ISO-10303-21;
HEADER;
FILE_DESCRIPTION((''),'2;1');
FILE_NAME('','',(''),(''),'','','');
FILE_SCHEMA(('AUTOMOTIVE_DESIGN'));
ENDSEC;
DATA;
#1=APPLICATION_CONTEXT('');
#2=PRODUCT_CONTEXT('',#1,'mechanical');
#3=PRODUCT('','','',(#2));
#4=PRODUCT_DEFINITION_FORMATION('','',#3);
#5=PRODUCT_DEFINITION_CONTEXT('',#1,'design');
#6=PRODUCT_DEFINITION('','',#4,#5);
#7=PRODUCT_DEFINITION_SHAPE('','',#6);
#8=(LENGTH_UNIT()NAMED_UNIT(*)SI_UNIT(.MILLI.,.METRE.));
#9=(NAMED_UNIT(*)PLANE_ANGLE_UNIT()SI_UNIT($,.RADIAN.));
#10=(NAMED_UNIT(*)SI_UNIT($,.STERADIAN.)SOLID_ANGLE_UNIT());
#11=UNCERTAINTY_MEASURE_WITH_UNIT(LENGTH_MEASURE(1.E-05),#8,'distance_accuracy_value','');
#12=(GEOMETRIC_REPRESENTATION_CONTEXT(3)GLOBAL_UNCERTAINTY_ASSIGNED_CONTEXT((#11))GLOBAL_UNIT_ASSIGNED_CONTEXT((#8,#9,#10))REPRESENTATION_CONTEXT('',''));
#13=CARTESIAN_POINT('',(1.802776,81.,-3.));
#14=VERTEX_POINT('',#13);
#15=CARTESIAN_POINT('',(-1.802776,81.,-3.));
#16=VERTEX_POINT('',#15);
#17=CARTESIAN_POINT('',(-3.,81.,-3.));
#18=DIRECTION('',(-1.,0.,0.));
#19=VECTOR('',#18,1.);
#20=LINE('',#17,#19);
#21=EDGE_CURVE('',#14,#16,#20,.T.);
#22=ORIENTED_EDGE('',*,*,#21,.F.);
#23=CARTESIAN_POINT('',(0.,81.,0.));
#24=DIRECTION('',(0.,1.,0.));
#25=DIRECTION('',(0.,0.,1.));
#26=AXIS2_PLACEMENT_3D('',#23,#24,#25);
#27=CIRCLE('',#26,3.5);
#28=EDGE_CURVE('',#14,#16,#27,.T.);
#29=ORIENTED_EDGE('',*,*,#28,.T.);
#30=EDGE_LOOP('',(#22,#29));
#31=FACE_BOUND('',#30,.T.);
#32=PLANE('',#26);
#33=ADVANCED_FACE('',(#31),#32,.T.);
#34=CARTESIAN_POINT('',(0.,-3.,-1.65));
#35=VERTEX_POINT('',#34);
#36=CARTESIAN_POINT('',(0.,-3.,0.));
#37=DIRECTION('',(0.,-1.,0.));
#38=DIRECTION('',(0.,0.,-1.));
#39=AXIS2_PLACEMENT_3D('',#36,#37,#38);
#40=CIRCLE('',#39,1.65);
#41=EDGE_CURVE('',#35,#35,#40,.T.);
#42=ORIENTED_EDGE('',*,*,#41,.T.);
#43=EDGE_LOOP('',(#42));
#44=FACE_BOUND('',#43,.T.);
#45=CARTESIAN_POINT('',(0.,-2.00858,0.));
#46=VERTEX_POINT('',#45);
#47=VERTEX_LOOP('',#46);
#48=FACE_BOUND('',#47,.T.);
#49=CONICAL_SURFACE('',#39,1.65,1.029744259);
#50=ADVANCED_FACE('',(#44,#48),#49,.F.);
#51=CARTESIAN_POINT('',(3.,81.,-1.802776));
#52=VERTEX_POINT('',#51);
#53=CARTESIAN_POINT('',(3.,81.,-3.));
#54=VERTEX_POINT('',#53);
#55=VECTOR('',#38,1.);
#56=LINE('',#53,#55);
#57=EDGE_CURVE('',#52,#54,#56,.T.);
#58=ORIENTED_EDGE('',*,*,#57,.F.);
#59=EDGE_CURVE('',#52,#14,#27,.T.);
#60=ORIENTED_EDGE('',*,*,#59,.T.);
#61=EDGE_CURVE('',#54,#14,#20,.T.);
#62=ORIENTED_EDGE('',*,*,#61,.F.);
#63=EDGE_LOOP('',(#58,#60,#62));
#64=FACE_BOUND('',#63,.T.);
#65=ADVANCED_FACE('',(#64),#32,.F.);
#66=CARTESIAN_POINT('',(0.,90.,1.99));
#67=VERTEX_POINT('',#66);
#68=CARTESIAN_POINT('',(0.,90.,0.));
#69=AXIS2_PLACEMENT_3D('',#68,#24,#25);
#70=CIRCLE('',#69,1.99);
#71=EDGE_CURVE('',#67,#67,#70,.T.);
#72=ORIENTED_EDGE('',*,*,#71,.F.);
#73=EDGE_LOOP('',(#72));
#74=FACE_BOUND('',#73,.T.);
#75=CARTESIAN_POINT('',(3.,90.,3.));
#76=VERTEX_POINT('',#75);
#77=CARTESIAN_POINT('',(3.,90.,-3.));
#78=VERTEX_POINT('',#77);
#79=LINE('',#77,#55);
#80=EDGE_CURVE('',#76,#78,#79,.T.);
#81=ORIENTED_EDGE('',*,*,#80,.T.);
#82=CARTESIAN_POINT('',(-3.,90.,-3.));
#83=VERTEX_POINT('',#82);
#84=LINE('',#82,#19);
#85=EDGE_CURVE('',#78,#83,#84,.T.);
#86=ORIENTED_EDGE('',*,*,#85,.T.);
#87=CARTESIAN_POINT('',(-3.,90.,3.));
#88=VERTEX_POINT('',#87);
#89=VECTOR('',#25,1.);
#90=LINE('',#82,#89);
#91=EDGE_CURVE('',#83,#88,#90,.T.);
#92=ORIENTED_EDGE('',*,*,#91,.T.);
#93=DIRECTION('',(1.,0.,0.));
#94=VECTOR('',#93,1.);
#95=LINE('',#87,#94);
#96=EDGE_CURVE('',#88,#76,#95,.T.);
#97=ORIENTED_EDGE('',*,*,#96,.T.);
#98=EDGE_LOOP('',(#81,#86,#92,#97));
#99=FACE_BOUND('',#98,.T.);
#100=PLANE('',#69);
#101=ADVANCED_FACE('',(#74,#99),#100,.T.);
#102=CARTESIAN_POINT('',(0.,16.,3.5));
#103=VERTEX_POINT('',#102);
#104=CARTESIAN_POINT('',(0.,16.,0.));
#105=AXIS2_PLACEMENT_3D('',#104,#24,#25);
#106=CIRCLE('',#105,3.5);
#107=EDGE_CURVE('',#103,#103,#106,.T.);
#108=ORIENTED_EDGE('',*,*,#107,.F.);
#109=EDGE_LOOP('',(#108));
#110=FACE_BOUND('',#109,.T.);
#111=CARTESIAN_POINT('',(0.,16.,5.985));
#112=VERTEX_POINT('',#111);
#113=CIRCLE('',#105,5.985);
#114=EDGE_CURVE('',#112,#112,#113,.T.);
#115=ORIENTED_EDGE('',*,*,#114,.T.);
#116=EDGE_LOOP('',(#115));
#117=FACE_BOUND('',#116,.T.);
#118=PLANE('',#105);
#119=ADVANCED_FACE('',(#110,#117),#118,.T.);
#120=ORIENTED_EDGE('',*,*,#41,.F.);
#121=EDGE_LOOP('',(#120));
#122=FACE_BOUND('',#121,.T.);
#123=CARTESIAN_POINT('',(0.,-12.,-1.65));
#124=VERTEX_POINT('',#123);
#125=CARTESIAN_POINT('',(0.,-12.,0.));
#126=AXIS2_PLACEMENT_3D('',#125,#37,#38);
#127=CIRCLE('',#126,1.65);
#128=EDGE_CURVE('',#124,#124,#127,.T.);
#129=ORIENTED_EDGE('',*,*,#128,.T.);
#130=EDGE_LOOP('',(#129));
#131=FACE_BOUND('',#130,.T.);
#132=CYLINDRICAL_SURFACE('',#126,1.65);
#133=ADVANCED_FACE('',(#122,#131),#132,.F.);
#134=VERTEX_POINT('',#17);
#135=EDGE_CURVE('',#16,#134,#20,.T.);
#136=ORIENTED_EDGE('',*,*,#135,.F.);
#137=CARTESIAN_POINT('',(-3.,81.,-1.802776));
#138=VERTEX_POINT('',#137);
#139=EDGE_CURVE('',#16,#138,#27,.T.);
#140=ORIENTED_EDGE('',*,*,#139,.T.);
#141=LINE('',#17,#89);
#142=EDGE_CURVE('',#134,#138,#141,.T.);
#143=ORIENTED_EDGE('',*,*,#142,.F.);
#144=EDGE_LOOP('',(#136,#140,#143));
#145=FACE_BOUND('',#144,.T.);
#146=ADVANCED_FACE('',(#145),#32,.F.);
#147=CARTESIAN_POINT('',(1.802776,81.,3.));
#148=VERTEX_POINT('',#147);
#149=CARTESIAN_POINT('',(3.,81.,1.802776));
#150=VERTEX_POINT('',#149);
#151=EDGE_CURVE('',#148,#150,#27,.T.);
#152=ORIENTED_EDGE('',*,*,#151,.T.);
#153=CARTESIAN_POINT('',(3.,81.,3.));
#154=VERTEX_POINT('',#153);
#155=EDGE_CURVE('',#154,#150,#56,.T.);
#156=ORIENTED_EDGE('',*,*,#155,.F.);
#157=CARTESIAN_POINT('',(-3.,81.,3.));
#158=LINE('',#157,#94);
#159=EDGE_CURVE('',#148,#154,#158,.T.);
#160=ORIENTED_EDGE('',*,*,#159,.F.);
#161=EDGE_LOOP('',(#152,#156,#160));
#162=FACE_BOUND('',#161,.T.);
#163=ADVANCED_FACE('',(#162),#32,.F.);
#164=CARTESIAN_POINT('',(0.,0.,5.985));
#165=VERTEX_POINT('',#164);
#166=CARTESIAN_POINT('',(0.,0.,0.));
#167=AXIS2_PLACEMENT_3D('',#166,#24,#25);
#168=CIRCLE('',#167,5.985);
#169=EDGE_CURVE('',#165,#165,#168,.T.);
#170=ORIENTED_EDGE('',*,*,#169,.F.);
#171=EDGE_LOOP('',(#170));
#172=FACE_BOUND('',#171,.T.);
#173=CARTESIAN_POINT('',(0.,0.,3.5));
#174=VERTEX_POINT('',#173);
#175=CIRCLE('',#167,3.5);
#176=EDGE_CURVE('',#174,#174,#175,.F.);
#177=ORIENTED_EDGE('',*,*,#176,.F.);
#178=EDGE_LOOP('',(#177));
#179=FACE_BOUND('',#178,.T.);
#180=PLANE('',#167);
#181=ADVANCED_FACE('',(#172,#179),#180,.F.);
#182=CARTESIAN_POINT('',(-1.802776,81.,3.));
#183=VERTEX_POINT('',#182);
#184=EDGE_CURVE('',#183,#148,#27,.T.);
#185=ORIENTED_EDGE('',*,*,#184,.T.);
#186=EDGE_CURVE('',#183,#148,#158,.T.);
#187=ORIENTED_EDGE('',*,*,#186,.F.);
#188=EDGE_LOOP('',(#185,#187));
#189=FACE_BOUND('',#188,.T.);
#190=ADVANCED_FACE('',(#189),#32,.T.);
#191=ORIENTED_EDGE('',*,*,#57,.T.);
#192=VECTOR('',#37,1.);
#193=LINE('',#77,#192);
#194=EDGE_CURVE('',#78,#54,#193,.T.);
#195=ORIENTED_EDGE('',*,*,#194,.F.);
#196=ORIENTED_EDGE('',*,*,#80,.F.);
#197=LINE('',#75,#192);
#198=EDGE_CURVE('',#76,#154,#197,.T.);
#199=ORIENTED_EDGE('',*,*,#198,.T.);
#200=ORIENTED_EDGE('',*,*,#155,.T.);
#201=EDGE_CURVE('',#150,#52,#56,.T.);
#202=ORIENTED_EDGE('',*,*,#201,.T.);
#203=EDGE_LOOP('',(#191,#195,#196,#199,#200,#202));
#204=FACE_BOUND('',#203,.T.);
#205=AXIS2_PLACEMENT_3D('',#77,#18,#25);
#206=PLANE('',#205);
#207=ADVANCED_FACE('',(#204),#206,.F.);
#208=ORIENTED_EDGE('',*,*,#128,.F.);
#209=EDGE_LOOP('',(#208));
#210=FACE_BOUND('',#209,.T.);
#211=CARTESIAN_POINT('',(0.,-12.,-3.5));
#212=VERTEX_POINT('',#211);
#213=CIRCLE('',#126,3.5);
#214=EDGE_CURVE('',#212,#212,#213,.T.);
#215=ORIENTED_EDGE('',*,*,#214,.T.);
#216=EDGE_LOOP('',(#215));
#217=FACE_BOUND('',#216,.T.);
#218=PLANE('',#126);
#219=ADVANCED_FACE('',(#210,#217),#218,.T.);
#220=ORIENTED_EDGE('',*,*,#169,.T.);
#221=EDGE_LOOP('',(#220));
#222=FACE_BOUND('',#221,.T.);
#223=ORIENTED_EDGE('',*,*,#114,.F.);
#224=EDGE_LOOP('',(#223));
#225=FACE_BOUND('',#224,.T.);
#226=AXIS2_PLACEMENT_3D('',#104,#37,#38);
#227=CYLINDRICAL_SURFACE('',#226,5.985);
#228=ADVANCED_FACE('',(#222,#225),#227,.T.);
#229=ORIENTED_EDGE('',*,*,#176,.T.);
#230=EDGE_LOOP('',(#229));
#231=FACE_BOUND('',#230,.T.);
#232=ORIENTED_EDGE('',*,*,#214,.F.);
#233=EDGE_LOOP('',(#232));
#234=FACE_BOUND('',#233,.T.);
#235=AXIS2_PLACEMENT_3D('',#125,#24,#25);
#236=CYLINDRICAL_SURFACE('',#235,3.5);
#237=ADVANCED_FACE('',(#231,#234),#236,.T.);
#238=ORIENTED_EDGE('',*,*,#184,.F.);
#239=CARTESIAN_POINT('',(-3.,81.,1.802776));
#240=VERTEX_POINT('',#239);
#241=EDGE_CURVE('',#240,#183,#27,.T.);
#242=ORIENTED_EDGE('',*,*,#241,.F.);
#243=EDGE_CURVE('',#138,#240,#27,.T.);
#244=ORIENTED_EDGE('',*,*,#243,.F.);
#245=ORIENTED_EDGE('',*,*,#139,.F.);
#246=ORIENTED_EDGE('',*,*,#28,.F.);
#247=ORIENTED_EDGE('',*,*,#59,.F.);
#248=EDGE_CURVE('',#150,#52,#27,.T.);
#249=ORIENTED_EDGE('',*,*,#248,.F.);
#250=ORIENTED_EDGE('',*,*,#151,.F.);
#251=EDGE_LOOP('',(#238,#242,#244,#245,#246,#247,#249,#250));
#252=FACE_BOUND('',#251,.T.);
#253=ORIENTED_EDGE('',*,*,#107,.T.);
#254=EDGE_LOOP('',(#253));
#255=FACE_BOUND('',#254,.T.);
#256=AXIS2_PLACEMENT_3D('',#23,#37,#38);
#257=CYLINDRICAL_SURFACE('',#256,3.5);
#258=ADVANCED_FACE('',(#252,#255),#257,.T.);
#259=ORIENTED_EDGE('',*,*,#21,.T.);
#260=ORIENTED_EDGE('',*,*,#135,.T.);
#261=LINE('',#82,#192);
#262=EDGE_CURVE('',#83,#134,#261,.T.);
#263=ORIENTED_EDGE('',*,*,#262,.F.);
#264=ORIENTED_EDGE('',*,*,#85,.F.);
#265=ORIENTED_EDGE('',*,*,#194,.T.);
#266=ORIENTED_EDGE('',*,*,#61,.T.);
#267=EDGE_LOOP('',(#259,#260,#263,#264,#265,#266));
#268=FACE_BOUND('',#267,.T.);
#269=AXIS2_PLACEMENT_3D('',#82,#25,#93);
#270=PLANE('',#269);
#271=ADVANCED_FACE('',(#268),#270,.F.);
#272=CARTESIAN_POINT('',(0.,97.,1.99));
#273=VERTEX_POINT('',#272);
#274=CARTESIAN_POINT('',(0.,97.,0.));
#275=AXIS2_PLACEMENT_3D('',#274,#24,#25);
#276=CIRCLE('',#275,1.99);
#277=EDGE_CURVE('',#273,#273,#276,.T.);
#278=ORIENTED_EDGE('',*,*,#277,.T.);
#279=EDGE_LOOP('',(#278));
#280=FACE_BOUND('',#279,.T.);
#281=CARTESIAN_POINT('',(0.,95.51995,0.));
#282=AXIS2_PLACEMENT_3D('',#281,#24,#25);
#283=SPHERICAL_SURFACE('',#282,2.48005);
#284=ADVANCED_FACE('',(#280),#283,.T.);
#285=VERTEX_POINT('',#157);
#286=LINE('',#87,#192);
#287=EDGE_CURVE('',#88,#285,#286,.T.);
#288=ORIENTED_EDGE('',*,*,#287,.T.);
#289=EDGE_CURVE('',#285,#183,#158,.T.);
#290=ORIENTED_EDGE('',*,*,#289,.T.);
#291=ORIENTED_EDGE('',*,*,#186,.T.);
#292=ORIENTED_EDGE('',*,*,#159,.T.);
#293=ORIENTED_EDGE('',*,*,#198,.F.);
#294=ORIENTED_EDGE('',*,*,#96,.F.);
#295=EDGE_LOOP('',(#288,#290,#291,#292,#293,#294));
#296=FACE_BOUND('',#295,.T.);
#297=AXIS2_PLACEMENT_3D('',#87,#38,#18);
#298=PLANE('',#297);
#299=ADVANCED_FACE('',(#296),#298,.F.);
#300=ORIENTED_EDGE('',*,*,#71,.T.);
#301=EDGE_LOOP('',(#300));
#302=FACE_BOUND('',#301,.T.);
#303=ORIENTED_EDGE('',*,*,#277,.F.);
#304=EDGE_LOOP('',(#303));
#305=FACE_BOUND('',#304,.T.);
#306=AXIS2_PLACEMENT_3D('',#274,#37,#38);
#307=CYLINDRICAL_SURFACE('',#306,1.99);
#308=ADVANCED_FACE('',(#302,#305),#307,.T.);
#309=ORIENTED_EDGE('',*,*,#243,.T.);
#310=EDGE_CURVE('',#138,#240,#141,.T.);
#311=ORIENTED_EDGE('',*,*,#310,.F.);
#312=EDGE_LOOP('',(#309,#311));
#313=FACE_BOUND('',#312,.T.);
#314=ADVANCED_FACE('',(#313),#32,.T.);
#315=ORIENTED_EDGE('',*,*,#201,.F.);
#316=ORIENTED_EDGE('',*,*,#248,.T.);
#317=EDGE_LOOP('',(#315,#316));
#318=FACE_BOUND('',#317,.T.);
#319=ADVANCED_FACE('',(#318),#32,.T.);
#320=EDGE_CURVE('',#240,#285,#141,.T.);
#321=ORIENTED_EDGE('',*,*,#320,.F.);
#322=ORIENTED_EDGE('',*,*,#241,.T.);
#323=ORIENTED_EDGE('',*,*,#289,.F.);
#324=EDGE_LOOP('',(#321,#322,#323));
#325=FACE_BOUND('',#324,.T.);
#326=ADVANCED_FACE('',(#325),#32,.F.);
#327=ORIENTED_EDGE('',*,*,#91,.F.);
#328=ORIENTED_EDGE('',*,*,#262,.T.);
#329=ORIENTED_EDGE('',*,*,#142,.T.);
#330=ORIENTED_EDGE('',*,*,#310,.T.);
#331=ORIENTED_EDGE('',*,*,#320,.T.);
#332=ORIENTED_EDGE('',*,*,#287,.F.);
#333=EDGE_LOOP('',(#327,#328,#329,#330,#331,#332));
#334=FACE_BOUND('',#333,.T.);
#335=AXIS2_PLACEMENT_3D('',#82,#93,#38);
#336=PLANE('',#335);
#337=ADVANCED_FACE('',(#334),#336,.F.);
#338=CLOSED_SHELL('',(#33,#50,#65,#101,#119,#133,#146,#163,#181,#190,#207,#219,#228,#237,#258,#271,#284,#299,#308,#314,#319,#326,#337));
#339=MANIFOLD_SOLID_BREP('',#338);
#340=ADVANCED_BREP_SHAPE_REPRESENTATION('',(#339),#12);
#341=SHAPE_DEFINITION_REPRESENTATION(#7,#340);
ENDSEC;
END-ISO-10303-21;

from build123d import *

# Parameters (mm, degrees)
SKETCH1_R                   = 5.985
BOSS_EXTRUDE1_DEPTH         = 16
SKETCH2_R                   = 3.5
BOSS_EXTRUDE2_DEPTH         = 65
SKETCH3_W                   = 6
SKETCH3_H                   = 6
BOSS_EXTRUDE3_DEPTH         = 9
SKETCH4_R                   = 1.99
BOSS_EXTRUDE4_DEPTH         = 7
BOSS_EXTRUDE5_START         = 12
SKETCH5_R                   = 3.5
BOSS_EXTRUDE5_DEPTH         = 12
TAP_DRILL_FOR_M4_TAP1_D     = 3.3
TAP_DRILL_FOR_M4_TAP1_DEPTH = 9
TAP_DRILL_FOR_M4_TAP1_TIP   = 0.991420021
DOME1_FACE_RADIUS           = 1.99
DOME1_HEIGHT                = 1


with BuildPart() as part:
    # Sketch1 → Boss-Extrude1 (new body)
    with BuildSketch(Plane(origin=(0, 0, 0), x_dir=(1, 0, 0), z_dir=(0, 1, 0))):
        with Locations(Location((0, 0, 0), (0, 0, 270))):
            Circle(SKETCH1_R)
    extrude(amount=BOSS_EXTRUDE1_DEPTH)

    # Sketch2 → Boss-Extrude2 (add)
    with BuildSketch(Plane(origin=(0, 16, 0), x_dir=(1, 0, 0), z_dir=(0, 1, 0))):
        with Locations(Location((0, 0, 0), (0, 0, 270))):
            Circle(SKETCH2_R)
    extrude(amount=BOSS_EXTRUDE2_DEPTH)

    # Sketch3 → Boss-Extrude3 (add)
    with BuildSketch(Plane(origin=(0, 81, 0), x_dir=(1, 0, 0), z_dir=(0, 1, 0))):
        Rectangle(SKETCH3_W, SKETCH3_H)
    extrude(amount=BOSS_EXTRUDE3_DEPTH)

    # Sketch4 → Boss-Extrude4 (add)
    with BuildSketch(Plane(origin=(0, 90, 0), x_dir=(1, 0, 0), z_dir=(0, 1, 0))):
        with Locations(Location((0, 0, 0), (0, 0, 270))):
            Circle(SKETCH4_R)
    extrude(amount=BOSS_EXTRUDE4_DEPTH)

    # Sketch5 → Boss-Extrude5 (add)
    with BuildSketch(Plane.XZ.offset(BOSS_EXTRUDE5_START)):
        with Locations(Location((0, 0, 0), (0, 0, 238.997280866))):
            Circle(SKETCH5_R)
    extrude(amount=-BOSS_EXTRUDE5_DEPTH)

    # Tap Drill for M4 Tap1
    with Locations(Plane(origin=(0, -12, 0), x_dir=(-1, 0, 0), z_dir=(0, -1, 0))):
        with Locations((0, 0)):
            Hole(TAP_DRILL_FOR_M4_TAP1_D / 2, depth=TAP_DRILL_FOR_M4_TAP1_DEPTH)
            with Locations((0, 0, -(TAP_DRILL_FOR_M4_TAP1_DEPTH + TAP_DRILL_FOR_M4_TAP1_TIP / 2))):  # 118° drill point
                Cone(0, TAP_DRILL_FOR_M4_TAP1_D / 2, TAP_DRILL_FOR_M4_TAP1_TIP, mode=Mode.SUBTRACT)

    # Dome1: a dome of height H over a round flat face of radius A is a cap of a sphere of radius (A * A + H * H) / (2 * H)
    dome1_r = (DOME1_FACE_RADIUS * DOME1_FACE_RADIUS + DOME1_HEIGHT * DOME1_HEIGHT) / (2 * DOME1_HEIGHT)
    dome1_base = Plane((0, 97, 0), z_dir=(0, 1, 0))
    with Locations(dome1_base.offset(DOME1_HEIGHT - dome1_r)):
        dome1_ball = Sphere(dome1_r, mode=Mode.PRIVATE)
    add(split(dome1_ball, bisect_by=dome1_base, keep=Keep.TOP, mode=Mode.PRIVATE))


solid = part.part
